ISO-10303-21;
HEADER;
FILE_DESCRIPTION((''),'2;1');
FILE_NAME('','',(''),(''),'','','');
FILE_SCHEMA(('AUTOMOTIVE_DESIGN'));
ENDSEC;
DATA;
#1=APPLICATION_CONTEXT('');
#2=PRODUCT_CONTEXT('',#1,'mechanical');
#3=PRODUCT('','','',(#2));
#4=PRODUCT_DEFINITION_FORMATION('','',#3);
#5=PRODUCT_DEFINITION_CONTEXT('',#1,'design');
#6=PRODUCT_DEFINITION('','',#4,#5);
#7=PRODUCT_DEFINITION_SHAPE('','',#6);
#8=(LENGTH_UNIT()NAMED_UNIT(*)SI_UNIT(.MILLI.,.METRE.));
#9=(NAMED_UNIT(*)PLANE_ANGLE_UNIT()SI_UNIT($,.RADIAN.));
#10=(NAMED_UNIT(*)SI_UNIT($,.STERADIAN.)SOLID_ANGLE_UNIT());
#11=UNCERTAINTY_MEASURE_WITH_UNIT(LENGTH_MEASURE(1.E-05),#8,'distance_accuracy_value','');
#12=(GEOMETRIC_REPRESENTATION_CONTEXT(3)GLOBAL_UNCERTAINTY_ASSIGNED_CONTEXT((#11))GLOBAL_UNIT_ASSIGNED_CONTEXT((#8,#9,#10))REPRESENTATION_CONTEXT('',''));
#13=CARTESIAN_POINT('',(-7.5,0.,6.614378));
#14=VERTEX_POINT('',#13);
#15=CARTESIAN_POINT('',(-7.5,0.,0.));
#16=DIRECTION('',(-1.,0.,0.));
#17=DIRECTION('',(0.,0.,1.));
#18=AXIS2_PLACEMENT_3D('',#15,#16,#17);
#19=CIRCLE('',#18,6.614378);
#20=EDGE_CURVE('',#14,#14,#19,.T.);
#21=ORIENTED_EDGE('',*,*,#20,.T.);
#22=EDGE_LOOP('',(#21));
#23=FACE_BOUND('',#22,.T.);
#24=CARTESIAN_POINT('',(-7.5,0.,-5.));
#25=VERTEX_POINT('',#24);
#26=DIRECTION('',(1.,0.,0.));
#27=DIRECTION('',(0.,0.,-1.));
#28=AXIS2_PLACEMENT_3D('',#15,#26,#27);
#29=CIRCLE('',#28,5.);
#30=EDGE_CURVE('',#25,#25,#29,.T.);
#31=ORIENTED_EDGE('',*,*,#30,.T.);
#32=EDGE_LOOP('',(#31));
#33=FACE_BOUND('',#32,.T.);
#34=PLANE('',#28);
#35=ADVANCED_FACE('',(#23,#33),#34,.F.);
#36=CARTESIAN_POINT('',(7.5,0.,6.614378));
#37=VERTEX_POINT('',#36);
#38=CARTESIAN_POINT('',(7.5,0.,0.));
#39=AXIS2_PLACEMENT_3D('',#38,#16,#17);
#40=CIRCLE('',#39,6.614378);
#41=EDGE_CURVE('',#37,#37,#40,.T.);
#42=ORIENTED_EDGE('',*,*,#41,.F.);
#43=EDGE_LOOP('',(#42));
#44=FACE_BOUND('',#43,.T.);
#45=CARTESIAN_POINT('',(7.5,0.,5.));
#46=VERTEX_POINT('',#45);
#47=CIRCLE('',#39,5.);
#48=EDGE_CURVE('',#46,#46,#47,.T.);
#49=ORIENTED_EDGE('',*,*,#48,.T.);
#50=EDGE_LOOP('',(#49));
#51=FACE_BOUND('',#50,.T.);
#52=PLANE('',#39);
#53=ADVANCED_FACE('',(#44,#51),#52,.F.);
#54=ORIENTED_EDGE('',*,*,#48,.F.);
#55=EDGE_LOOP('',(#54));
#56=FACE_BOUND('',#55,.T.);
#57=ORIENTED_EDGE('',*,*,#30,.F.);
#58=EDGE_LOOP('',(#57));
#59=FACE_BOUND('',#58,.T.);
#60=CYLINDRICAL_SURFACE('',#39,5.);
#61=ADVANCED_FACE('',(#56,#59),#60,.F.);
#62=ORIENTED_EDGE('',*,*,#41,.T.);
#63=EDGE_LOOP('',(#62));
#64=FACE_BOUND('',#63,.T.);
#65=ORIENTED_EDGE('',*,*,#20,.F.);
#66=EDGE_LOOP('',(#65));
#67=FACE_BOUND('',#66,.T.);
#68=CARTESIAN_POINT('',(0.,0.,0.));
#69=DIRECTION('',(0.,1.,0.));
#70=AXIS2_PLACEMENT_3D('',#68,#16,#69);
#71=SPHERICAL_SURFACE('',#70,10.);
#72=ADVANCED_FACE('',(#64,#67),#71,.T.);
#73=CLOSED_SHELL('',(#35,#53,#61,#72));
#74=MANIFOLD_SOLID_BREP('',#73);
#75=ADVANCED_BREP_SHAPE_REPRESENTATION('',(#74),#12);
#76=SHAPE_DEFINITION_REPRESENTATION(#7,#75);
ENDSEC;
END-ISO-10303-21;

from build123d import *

# Parameters (mm, degrees)
SKETCH2_R               = 5
CUT_EXTRUDE1_DEPTH      = 1
CUT_EXTRUDE1_DEPTH_BACK = 16


with BuildPart() as part:
    # Sketch1 → Revolve1 (revolve)
    with BuildSketch(Plane.XY):
        with BuildLine():
            Line((-7.5, 0), (7.5, 0))
            Line((7.5, 0), (7.5, 6.614378278))
            ThreePointArc((7.5, 6.614378278), (0, 10), (-7.5, 6.614378278))
            Line((-7.5, 6.614378278), (-7.5, 0))
        make_face()
    revolve(axis=Axis((-10, 0, 0), (1, 0, 0)))

    # Sketch2 → Cut-Extrude1 (cut, two sides)
    with BuildSketch(Plane.ZY.offset(7.5)) as cut_extrude1_sk:
        Circle(SKETCH2_R)
    extrude(amount=CUT_EXTRUDE1_DEPTH, mode=Mode.SUBTRACT)
    extrude(cut_extrude1_sk.sketch, amount=-CUT_EXTRUDE1_DEPTH_BACK, mode=Mode.SUBTRACT)


solid = part.part
